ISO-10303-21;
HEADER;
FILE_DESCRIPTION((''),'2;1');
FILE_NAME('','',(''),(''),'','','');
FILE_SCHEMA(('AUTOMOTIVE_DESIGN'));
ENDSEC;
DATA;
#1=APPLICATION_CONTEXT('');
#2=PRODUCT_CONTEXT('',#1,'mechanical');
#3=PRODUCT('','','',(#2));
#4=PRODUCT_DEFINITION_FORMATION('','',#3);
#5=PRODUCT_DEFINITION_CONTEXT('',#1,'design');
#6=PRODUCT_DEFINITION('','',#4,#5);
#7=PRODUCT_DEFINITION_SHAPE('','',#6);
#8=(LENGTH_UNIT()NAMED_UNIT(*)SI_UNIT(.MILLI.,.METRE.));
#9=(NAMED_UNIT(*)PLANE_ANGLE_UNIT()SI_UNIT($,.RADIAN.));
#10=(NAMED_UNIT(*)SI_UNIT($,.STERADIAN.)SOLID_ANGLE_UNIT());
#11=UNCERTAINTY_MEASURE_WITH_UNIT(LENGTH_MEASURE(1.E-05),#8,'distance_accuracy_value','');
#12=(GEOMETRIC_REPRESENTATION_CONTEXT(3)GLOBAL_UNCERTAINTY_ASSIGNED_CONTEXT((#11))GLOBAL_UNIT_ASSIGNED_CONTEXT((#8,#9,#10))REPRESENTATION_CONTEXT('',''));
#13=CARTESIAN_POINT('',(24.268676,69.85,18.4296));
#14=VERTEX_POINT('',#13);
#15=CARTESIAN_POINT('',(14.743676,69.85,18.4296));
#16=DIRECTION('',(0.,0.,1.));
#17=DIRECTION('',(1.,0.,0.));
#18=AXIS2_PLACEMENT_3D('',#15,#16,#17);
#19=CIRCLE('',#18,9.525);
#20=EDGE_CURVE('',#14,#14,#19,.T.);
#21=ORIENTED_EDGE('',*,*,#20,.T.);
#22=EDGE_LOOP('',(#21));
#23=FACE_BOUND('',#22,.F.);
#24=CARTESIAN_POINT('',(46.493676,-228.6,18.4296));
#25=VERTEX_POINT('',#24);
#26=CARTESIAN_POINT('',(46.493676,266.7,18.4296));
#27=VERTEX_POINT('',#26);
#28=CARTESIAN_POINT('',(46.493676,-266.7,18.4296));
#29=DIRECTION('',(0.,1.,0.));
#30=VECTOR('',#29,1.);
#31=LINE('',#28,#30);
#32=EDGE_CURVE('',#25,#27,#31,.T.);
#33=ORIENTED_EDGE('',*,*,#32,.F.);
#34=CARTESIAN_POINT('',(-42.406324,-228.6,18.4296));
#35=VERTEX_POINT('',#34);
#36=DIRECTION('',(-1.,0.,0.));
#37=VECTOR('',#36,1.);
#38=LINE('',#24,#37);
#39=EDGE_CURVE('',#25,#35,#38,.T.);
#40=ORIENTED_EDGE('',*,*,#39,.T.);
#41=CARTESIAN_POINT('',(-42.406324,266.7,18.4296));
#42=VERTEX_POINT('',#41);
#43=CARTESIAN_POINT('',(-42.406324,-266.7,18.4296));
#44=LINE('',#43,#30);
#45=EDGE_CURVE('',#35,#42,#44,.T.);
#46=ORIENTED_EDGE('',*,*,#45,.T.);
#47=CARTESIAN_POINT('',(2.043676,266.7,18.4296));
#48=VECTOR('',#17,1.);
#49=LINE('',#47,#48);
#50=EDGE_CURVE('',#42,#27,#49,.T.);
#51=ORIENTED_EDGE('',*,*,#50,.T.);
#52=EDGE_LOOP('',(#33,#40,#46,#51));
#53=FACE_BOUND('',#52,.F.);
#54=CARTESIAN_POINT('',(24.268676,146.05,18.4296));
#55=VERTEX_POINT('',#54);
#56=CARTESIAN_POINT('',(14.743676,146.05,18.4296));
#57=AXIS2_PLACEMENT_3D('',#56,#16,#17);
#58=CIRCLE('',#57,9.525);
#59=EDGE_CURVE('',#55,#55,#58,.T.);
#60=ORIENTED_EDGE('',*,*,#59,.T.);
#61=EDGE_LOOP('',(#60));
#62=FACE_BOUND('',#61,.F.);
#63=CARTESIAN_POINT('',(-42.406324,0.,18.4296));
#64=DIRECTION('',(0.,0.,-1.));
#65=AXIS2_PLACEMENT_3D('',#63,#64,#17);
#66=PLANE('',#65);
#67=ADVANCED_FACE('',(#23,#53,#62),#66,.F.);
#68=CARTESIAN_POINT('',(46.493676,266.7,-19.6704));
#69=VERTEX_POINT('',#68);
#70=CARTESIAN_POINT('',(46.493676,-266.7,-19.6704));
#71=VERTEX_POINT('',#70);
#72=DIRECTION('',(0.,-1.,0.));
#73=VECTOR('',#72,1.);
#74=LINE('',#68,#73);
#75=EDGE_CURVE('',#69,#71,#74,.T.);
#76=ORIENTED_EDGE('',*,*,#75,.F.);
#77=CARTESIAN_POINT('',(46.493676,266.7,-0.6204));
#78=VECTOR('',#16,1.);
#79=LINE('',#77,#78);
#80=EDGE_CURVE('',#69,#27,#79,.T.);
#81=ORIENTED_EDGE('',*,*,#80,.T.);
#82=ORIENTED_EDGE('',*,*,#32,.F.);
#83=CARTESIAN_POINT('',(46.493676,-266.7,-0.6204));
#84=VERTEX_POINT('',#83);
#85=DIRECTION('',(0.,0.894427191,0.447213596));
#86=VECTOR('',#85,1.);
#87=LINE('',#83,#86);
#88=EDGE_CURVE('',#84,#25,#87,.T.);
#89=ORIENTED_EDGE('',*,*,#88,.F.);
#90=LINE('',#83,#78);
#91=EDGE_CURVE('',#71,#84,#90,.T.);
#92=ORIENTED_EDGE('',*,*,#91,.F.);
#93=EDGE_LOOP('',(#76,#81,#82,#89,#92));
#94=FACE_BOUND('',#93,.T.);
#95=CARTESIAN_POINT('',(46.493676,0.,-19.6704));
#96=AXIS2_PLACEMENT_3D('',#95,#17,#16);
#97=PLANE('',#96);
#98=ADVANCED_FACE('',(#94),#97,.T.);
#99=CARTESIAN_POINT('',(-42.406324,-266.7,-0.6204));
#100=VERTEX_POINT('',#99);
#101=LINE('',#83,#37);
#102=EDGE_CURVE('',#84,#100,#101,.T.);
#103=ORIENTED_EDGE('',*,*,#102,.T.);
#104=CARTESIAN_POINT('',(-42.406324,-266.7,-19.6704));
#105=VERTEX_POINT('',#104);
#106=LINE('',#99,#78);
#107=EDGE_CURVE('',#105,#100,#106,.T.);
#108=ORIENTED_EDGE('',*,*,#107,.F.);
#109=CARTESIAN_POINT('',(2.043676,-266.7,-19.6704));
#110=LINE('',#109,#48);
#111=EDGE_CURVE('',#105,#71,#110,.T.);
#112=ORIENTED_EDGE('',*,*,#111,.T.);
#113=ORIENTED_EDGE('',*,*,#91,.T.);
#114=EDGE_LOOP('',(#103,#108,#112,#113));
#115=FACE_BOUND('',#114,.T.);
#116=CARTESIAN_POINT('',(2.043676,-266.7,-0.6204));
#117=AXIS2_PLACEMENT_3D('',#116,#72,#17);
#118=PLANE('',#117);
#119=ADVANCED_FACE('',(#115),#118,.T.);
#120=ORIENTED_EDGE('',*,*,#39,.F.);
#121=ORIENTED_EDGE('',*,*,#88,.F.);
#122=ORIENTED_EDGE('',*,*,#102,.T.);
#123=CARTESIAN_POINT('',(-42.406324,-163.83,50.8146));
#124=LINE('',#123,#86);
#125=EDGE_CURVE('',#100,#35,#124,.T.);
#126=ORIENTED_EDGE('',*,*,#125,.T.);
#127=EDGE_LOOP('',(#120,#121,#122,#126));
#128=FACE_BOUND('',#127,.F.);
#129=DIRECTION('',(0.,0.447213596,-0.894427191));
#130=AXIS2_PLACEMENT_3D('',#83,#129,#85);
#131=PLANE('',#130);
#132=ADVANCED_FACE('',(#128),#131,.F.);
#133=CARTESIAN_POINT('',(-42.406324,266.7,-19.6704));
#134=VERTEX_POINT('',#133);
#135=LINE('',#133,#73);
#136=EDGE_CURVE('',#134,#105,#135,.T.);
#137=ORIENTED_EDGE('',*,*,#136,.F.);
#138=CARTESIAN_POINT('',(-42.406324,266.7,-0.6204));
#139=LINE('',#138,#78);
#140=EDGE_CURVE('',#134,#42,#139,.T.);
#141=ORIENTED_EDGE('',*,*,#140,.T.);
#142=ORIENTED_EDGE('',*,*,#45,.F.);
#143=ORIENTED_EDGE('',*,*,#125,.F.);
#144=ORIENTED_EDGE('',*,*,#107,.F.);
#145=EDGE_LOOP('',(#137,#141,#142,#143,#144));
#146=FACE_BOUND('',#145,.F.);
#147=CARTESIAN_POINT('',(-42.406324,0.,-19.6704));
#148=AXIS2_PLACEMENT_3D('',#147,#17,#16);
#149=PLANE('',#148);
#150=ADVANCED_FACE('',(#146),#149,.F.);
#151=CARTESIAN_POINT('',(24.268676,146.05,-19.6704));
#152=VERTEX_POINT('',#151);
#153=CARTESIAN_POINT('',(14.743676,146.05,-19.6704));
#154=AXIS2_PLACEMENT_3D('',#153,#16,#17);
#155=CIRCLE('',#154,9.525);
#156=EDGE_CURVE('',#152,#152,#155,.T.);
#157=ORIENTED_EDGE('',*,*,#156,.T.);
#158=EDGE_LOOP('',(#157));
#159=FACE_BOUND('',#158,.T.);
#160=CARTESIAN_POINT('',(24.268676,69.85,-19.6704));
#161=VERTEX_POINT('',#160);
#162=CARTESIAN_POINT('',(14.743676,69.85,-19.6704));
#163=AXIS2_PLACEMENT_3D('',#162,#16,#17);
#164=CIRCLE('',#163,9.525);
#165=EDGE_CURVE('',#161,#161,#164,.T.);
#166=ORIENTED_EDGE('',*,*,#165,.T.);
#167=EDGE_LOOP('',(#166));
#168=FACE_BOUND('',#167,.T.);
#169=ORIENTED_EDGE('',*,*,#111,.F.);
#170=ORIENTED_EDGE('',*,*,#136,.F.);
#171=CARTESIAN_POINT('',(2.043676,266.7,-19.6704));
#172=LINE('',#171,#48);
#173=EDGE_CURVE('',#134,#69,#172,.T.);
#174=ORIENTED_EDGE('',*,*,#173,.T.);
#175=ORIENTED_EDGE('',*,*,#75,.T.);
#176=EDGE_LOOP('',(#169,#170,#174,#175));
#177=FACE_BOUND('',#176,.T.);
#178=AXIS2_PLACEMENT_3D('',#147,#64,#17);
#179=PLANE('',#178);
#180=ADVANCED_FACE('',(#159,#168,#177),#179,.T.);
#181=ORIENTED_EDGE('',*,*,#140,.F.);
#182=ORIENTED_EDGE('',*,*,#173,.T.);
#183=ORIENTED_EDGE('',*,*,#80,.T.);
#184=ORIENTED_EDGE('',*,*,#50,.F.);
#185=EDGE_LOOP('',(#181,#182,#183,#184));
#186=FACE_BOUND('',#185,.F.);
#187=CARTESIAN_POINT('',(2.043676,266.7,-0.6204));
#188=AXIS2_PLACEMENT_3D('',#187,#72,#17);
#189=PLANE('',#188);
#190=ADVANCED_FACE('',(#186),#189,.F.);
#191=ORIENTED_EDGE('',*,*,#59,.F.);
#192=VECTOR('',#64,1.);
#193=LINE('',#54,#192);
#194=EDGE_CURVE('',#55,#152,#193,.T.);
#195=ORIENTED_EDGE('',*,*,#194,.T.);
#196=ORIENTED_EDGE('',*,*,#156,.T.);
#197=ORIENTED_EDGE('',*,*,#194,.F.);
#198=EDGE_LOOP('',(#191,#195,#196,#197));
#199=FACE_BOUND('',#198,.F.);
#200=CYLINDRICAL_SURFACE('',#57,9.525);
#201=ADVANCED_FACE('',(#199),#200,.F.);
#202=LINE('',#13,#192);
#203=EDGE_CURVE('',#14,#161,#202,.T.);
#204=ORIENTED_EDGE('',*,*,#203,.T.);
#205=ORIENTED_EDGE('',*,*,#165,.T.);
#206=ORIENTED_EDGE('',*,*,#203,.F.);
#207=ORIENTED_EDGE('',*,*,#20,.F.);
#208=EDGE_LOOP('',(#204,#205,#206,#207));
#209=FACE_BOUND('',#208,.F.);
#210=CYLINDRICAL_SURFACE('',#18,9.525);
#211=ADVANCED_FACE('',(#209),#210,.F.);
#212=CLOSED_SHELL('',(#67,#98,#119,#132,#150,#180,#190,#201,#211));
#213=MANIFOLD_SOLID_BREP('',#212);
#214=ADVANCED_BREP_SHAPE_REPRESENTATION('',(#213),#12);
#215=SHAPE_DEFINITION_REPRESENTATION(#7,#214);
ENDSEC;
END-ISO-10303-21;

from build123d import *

# Parameters (mm, degrees)
F0_W     = 88.9
F0_H     = 38.1
F1_DEPTH = 266.7
F3_DEPTH = 88.901
F4_R     = 9.525
F5_DEPTH = 38.101


with BuildPart() as f1:
    # F0 (on Front) → F1 (new body, symmetric)
    with BuildSketch(Plane.XZ):
        with Locations((2.043676, -0.6204)):
            Rectangle(F0_W, F0_H)
    extrude(amount=F1_DEPTH, both=True)

    # F2 (on face) → F3 (cut, through all)
    with BuildSketch(Plane.YZ.offset(46.493676)):
        Polygon((-266.7, -0.6204), (-228.6, 18.4296), (-266.7, 18.4296), align=None)
    extrude(amount=-F3_DEPTH, mode=Mode.SUBTRACT)

    # F4 (on face) → F5 (cut, through all)
    with BuildSketch(Plane.XY.offset(18.4296)):
        with Locations((14.743676, 146.05)):
            Circle(F4_R)
        with Locations((14.743676, 69.85)):
            Circle(F4_R)
    extrude(amount=-F5_DEPTH, mode=Mode.SUBTRACT)


solid = f1.part
